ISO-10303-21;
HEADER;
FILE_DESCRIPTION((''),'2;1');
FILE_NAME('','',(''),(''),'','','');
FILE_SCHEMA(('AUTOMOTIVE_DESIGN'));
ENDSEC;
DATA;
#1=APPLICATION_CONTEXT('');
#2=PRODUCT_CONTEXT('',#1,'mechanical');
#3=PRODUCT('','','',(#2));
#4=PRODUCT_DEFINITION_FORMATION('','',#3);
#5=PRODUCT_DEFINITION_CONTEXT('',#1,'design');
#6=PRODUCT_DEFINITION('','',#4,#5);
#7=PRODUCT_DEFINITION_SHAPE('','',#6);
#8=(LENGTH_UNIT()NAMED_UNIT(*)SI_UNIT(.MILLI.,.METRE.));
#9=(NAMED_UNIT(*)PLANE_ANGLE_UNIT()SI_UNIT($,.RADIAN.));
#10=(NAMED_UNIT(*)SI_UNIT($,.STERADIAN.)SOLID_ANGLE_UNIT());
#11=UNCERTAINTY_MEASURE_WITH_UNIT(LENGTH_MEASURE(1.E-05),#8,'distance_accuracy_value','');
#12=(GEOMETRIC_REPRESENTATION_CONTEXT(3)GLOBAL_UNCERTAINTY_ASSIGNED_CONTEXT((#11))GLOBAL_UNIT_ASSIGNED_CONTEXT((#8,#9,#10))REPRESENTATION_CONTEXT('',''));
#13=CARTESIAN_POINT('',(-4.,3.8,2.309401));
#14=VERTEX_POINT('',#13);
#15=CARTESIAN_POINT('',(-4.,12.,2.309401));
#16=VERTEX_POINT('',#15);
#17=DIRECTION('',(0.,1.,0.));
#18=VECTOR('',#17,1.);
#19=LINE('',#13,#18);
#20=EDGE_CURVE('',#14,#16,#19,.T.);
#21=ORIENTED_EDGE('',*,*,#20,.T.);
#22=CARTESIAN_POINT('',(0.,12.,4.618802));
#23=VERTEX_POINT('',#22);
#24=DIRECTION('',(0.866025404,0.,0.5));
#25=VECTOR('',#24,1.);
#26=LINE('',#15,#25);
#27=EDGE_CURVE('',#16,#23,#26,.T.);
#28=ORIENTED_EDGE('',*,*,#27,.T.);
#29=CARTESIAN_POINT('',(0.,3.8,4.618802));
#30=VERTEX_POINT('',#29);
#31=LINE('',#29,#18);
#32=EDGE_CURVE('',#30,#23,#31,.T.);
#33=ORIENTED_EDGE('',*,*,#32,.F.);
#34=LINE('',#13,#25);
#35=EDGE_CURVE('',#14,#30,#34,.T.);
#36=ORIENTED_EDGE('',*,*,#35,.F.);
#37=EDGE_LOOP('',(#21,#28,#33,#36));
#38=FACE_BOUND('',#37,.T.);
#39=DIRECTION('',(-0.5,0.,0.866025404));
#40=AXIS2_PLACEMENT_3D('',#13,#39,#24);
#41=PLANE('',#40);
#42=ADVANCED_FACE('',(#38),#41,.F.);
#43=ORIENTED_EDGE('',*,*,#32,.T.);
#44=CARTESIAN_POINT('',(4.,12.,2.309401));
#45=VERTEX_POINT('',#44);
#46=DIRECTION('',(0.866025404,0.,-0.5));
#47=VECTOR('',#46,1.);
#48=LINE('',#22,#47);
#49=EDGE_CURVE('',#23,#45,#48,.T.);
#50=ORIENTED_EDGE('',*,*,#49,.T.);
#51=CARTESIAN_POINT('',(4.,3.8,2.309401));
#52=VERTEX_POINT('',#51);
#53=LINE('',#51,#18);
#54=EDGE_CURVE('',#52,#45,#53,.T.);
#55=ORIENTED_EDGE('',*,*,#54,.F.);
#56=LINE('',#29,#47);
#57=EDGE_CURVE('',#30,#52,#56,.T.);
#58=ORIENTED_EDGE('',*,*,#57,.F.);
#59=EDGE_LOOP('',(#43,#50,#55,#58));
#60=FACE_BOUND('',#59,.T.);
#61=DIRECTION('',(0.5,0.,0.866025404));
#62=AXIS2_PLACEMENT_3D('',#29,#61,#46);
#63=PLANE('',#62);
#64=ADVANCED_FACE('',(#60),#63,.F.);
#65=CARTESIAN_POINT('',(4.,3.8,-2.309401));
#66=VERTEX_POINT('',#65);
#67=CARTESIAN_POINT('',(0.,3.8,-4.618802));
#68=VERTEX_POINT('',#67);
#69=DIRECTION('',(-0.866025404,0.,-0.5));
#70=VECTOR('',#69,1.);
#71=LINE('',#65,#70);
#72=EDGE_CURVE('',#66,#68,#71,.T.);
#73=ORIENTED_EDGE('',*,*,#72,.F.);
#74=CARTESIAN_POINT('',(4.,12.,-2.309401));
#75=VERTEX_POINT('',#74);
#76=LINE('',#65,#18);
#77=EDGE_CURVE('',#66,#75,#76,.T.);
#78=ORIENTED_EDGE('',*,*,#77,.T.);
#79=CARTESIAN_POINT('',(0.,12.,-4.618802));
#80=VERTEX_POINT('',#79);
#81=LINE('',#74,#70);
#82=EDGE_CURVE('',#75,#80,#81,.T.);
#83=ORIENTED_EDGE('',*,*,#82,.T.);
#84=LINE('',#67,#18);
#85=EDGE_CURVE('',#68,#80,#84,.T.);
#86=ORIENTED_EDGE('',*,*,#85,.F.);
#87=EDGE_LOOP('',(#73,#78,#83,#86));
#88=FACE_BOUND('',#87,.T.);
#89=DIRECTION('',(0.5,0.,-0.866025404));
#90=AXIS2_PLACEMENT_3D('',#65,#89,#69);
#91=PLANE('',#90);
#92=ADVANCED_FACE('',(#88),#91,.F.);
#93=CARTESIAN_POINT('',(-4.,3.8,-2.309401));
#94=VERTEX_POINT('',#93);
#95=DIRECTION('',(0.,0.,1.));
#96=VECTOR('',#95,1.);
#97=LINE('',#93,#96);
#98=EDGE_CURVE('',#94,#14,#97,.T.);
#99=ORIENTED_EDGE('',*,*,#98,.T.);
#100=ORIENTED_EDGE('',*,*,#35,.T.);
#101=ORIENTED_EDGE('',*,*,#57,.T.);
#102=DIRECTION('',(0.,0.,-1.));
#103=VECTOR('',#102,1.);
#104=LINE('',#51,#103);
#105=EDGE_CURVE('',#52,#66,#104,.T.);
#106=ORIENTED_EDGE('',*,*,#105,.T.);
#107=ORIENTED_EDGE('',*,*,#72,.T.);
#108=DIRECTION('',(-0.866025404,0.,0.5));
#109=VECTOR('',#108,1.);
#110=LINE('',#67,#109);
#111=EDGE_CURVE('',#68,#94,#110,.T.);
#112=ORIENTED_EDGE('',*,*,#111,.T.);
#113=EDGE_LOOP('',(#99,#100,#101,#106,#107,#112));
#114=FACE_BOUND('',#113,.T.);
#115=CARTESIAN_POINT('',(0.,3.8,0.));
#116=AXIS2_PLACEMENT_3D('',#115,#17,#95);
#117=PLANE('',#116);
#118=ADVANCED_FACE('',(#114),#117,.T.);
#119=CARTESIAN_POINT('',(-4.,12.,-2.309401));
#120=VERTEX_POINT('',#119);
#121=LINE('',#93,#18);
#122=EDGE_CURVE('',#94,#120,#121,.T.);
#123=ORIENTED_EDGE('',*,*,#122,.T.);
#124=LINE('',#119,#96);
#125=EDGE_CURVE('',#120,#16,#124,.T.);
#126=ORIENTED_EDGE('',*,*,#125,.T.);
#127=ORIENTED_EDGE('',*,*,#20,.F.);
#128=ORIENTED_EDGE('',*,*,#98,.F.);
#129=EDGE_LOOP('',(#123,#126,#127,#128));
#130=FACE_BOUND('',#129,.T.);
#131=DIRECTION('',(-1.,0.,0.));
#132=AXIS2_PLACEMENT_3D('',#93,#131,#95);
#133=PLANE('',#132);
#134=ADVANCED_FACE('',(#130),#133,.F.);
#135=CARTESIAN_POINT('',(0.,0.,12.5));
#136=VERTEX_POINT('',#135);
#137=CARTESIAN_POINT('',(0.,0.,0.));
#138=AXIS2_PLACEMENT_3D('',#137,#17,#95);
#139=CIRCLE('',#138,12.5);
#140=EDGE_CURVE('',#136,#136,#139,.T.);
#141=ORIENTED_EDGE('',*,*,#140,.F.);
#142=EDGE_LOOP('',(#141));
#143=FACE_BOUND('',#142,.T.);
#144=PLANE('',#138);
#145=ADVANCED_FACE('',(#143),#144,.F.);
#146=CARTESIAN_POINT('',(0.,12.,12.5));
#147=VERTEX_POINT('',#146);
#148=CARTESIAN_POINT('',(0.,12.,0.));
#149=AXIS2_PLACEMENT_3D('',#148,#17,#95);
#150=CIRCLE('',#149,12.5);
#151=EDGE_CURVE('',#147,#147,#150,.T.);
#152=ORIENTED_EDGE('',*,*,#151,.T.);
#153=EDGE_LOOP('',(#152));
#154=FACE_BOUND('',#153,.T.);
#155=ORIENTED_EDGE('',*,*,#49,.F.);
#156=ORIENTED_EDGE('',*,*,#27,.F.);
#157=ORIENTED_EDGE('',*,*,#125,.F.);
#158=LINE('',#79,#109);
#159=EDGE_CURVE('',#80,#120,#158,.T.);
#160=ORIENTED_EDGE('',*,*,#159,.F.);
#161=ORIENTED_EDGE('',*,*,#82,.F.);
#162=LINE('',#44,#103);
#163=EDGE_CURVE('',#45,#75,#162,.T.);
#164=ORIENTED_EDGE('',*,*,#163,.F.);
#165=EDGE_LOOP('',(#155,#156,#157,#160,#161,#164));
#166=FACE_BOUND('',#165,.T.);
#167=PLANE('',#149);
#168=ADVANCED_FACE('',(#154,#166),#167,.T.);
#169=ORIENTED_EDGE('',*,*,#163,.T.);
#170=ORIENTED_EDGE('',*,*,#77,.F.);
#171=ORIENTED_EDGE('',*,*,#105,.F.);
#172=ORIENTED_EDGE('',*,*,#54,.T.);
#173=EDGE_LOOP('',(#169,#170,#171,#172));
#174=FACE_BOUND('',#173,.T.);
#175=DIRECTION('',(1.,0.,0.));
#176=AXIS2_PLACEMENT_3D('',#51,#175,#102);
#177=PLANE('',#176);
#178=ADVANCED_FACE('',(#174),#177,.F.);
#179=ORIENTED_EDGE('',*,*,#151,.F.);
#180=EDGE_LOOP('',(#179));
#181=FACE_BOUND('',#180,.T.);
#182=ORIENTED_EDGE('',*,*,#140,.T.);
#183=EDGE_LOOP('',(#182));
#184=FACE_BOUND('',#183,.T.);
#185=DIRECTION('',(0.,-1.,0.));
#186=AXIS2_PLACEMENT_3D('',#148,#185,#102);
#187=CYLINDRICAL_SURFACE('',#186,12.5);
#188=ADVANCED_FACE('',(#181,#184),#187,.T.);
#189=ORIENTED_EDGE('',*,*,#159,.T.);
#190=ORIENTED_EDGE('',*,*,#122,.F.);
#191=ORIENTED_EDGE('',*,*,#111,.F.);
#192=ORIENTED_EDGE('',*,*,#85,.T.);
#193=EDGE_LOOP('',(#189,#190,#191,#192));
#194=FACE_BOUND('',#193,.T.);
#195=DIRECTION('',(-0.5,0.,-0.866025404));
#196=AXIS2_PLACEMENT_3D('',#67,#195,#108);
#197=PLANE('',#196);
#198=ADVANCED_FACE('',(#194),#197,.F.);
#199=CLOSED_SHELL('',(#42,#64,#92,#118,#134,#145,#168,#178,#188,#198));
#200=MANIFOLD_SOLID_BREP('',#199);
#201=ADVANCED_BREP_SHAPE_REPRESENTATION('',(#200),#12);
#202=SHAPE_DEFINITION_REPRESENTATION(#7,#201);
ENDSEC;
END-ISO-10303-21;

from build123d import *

# Parameters (mm, degrees)
SKETCH1_R           = 12.5
BOSS_EXTRUDE1_DEPTH = 12
CUT_EXTRUDE1_DEPTH  = 8.2


with BuildPart() as part:
    # Sketch1 → Boss-Extrude1 (new body)
    with BuildSketch(Plane(origin=(0, 0, 0), x_dir=(1, 0, 0), z_dir=(0, 1, 0))):
        with Locations(Location((0, 0, 0), (0, 0, 270))):
            Circle(SKETCH1_R)
    extrude(amount=BOSS_EXTRUDE1_DEPTH)

    # Sketch2 → Cut-Extrude1 (cut)
    with BuildSketch(Plane(origin=(0, 12, 0), x_dir=(1, 0, 0), z_dir=(0, 1, 0))):
        Polygon((0, -4.618802154), (4, -2.309401077), (4, 2.309401077), (0, 4.618802154), (-4, 2.309401077), (-4, -2.309401077), align=None)
    extrude(amount=-CUT_EXTRUDE1_DEPTH, mode=Mode.SUBTRACT)


solid = part.part
